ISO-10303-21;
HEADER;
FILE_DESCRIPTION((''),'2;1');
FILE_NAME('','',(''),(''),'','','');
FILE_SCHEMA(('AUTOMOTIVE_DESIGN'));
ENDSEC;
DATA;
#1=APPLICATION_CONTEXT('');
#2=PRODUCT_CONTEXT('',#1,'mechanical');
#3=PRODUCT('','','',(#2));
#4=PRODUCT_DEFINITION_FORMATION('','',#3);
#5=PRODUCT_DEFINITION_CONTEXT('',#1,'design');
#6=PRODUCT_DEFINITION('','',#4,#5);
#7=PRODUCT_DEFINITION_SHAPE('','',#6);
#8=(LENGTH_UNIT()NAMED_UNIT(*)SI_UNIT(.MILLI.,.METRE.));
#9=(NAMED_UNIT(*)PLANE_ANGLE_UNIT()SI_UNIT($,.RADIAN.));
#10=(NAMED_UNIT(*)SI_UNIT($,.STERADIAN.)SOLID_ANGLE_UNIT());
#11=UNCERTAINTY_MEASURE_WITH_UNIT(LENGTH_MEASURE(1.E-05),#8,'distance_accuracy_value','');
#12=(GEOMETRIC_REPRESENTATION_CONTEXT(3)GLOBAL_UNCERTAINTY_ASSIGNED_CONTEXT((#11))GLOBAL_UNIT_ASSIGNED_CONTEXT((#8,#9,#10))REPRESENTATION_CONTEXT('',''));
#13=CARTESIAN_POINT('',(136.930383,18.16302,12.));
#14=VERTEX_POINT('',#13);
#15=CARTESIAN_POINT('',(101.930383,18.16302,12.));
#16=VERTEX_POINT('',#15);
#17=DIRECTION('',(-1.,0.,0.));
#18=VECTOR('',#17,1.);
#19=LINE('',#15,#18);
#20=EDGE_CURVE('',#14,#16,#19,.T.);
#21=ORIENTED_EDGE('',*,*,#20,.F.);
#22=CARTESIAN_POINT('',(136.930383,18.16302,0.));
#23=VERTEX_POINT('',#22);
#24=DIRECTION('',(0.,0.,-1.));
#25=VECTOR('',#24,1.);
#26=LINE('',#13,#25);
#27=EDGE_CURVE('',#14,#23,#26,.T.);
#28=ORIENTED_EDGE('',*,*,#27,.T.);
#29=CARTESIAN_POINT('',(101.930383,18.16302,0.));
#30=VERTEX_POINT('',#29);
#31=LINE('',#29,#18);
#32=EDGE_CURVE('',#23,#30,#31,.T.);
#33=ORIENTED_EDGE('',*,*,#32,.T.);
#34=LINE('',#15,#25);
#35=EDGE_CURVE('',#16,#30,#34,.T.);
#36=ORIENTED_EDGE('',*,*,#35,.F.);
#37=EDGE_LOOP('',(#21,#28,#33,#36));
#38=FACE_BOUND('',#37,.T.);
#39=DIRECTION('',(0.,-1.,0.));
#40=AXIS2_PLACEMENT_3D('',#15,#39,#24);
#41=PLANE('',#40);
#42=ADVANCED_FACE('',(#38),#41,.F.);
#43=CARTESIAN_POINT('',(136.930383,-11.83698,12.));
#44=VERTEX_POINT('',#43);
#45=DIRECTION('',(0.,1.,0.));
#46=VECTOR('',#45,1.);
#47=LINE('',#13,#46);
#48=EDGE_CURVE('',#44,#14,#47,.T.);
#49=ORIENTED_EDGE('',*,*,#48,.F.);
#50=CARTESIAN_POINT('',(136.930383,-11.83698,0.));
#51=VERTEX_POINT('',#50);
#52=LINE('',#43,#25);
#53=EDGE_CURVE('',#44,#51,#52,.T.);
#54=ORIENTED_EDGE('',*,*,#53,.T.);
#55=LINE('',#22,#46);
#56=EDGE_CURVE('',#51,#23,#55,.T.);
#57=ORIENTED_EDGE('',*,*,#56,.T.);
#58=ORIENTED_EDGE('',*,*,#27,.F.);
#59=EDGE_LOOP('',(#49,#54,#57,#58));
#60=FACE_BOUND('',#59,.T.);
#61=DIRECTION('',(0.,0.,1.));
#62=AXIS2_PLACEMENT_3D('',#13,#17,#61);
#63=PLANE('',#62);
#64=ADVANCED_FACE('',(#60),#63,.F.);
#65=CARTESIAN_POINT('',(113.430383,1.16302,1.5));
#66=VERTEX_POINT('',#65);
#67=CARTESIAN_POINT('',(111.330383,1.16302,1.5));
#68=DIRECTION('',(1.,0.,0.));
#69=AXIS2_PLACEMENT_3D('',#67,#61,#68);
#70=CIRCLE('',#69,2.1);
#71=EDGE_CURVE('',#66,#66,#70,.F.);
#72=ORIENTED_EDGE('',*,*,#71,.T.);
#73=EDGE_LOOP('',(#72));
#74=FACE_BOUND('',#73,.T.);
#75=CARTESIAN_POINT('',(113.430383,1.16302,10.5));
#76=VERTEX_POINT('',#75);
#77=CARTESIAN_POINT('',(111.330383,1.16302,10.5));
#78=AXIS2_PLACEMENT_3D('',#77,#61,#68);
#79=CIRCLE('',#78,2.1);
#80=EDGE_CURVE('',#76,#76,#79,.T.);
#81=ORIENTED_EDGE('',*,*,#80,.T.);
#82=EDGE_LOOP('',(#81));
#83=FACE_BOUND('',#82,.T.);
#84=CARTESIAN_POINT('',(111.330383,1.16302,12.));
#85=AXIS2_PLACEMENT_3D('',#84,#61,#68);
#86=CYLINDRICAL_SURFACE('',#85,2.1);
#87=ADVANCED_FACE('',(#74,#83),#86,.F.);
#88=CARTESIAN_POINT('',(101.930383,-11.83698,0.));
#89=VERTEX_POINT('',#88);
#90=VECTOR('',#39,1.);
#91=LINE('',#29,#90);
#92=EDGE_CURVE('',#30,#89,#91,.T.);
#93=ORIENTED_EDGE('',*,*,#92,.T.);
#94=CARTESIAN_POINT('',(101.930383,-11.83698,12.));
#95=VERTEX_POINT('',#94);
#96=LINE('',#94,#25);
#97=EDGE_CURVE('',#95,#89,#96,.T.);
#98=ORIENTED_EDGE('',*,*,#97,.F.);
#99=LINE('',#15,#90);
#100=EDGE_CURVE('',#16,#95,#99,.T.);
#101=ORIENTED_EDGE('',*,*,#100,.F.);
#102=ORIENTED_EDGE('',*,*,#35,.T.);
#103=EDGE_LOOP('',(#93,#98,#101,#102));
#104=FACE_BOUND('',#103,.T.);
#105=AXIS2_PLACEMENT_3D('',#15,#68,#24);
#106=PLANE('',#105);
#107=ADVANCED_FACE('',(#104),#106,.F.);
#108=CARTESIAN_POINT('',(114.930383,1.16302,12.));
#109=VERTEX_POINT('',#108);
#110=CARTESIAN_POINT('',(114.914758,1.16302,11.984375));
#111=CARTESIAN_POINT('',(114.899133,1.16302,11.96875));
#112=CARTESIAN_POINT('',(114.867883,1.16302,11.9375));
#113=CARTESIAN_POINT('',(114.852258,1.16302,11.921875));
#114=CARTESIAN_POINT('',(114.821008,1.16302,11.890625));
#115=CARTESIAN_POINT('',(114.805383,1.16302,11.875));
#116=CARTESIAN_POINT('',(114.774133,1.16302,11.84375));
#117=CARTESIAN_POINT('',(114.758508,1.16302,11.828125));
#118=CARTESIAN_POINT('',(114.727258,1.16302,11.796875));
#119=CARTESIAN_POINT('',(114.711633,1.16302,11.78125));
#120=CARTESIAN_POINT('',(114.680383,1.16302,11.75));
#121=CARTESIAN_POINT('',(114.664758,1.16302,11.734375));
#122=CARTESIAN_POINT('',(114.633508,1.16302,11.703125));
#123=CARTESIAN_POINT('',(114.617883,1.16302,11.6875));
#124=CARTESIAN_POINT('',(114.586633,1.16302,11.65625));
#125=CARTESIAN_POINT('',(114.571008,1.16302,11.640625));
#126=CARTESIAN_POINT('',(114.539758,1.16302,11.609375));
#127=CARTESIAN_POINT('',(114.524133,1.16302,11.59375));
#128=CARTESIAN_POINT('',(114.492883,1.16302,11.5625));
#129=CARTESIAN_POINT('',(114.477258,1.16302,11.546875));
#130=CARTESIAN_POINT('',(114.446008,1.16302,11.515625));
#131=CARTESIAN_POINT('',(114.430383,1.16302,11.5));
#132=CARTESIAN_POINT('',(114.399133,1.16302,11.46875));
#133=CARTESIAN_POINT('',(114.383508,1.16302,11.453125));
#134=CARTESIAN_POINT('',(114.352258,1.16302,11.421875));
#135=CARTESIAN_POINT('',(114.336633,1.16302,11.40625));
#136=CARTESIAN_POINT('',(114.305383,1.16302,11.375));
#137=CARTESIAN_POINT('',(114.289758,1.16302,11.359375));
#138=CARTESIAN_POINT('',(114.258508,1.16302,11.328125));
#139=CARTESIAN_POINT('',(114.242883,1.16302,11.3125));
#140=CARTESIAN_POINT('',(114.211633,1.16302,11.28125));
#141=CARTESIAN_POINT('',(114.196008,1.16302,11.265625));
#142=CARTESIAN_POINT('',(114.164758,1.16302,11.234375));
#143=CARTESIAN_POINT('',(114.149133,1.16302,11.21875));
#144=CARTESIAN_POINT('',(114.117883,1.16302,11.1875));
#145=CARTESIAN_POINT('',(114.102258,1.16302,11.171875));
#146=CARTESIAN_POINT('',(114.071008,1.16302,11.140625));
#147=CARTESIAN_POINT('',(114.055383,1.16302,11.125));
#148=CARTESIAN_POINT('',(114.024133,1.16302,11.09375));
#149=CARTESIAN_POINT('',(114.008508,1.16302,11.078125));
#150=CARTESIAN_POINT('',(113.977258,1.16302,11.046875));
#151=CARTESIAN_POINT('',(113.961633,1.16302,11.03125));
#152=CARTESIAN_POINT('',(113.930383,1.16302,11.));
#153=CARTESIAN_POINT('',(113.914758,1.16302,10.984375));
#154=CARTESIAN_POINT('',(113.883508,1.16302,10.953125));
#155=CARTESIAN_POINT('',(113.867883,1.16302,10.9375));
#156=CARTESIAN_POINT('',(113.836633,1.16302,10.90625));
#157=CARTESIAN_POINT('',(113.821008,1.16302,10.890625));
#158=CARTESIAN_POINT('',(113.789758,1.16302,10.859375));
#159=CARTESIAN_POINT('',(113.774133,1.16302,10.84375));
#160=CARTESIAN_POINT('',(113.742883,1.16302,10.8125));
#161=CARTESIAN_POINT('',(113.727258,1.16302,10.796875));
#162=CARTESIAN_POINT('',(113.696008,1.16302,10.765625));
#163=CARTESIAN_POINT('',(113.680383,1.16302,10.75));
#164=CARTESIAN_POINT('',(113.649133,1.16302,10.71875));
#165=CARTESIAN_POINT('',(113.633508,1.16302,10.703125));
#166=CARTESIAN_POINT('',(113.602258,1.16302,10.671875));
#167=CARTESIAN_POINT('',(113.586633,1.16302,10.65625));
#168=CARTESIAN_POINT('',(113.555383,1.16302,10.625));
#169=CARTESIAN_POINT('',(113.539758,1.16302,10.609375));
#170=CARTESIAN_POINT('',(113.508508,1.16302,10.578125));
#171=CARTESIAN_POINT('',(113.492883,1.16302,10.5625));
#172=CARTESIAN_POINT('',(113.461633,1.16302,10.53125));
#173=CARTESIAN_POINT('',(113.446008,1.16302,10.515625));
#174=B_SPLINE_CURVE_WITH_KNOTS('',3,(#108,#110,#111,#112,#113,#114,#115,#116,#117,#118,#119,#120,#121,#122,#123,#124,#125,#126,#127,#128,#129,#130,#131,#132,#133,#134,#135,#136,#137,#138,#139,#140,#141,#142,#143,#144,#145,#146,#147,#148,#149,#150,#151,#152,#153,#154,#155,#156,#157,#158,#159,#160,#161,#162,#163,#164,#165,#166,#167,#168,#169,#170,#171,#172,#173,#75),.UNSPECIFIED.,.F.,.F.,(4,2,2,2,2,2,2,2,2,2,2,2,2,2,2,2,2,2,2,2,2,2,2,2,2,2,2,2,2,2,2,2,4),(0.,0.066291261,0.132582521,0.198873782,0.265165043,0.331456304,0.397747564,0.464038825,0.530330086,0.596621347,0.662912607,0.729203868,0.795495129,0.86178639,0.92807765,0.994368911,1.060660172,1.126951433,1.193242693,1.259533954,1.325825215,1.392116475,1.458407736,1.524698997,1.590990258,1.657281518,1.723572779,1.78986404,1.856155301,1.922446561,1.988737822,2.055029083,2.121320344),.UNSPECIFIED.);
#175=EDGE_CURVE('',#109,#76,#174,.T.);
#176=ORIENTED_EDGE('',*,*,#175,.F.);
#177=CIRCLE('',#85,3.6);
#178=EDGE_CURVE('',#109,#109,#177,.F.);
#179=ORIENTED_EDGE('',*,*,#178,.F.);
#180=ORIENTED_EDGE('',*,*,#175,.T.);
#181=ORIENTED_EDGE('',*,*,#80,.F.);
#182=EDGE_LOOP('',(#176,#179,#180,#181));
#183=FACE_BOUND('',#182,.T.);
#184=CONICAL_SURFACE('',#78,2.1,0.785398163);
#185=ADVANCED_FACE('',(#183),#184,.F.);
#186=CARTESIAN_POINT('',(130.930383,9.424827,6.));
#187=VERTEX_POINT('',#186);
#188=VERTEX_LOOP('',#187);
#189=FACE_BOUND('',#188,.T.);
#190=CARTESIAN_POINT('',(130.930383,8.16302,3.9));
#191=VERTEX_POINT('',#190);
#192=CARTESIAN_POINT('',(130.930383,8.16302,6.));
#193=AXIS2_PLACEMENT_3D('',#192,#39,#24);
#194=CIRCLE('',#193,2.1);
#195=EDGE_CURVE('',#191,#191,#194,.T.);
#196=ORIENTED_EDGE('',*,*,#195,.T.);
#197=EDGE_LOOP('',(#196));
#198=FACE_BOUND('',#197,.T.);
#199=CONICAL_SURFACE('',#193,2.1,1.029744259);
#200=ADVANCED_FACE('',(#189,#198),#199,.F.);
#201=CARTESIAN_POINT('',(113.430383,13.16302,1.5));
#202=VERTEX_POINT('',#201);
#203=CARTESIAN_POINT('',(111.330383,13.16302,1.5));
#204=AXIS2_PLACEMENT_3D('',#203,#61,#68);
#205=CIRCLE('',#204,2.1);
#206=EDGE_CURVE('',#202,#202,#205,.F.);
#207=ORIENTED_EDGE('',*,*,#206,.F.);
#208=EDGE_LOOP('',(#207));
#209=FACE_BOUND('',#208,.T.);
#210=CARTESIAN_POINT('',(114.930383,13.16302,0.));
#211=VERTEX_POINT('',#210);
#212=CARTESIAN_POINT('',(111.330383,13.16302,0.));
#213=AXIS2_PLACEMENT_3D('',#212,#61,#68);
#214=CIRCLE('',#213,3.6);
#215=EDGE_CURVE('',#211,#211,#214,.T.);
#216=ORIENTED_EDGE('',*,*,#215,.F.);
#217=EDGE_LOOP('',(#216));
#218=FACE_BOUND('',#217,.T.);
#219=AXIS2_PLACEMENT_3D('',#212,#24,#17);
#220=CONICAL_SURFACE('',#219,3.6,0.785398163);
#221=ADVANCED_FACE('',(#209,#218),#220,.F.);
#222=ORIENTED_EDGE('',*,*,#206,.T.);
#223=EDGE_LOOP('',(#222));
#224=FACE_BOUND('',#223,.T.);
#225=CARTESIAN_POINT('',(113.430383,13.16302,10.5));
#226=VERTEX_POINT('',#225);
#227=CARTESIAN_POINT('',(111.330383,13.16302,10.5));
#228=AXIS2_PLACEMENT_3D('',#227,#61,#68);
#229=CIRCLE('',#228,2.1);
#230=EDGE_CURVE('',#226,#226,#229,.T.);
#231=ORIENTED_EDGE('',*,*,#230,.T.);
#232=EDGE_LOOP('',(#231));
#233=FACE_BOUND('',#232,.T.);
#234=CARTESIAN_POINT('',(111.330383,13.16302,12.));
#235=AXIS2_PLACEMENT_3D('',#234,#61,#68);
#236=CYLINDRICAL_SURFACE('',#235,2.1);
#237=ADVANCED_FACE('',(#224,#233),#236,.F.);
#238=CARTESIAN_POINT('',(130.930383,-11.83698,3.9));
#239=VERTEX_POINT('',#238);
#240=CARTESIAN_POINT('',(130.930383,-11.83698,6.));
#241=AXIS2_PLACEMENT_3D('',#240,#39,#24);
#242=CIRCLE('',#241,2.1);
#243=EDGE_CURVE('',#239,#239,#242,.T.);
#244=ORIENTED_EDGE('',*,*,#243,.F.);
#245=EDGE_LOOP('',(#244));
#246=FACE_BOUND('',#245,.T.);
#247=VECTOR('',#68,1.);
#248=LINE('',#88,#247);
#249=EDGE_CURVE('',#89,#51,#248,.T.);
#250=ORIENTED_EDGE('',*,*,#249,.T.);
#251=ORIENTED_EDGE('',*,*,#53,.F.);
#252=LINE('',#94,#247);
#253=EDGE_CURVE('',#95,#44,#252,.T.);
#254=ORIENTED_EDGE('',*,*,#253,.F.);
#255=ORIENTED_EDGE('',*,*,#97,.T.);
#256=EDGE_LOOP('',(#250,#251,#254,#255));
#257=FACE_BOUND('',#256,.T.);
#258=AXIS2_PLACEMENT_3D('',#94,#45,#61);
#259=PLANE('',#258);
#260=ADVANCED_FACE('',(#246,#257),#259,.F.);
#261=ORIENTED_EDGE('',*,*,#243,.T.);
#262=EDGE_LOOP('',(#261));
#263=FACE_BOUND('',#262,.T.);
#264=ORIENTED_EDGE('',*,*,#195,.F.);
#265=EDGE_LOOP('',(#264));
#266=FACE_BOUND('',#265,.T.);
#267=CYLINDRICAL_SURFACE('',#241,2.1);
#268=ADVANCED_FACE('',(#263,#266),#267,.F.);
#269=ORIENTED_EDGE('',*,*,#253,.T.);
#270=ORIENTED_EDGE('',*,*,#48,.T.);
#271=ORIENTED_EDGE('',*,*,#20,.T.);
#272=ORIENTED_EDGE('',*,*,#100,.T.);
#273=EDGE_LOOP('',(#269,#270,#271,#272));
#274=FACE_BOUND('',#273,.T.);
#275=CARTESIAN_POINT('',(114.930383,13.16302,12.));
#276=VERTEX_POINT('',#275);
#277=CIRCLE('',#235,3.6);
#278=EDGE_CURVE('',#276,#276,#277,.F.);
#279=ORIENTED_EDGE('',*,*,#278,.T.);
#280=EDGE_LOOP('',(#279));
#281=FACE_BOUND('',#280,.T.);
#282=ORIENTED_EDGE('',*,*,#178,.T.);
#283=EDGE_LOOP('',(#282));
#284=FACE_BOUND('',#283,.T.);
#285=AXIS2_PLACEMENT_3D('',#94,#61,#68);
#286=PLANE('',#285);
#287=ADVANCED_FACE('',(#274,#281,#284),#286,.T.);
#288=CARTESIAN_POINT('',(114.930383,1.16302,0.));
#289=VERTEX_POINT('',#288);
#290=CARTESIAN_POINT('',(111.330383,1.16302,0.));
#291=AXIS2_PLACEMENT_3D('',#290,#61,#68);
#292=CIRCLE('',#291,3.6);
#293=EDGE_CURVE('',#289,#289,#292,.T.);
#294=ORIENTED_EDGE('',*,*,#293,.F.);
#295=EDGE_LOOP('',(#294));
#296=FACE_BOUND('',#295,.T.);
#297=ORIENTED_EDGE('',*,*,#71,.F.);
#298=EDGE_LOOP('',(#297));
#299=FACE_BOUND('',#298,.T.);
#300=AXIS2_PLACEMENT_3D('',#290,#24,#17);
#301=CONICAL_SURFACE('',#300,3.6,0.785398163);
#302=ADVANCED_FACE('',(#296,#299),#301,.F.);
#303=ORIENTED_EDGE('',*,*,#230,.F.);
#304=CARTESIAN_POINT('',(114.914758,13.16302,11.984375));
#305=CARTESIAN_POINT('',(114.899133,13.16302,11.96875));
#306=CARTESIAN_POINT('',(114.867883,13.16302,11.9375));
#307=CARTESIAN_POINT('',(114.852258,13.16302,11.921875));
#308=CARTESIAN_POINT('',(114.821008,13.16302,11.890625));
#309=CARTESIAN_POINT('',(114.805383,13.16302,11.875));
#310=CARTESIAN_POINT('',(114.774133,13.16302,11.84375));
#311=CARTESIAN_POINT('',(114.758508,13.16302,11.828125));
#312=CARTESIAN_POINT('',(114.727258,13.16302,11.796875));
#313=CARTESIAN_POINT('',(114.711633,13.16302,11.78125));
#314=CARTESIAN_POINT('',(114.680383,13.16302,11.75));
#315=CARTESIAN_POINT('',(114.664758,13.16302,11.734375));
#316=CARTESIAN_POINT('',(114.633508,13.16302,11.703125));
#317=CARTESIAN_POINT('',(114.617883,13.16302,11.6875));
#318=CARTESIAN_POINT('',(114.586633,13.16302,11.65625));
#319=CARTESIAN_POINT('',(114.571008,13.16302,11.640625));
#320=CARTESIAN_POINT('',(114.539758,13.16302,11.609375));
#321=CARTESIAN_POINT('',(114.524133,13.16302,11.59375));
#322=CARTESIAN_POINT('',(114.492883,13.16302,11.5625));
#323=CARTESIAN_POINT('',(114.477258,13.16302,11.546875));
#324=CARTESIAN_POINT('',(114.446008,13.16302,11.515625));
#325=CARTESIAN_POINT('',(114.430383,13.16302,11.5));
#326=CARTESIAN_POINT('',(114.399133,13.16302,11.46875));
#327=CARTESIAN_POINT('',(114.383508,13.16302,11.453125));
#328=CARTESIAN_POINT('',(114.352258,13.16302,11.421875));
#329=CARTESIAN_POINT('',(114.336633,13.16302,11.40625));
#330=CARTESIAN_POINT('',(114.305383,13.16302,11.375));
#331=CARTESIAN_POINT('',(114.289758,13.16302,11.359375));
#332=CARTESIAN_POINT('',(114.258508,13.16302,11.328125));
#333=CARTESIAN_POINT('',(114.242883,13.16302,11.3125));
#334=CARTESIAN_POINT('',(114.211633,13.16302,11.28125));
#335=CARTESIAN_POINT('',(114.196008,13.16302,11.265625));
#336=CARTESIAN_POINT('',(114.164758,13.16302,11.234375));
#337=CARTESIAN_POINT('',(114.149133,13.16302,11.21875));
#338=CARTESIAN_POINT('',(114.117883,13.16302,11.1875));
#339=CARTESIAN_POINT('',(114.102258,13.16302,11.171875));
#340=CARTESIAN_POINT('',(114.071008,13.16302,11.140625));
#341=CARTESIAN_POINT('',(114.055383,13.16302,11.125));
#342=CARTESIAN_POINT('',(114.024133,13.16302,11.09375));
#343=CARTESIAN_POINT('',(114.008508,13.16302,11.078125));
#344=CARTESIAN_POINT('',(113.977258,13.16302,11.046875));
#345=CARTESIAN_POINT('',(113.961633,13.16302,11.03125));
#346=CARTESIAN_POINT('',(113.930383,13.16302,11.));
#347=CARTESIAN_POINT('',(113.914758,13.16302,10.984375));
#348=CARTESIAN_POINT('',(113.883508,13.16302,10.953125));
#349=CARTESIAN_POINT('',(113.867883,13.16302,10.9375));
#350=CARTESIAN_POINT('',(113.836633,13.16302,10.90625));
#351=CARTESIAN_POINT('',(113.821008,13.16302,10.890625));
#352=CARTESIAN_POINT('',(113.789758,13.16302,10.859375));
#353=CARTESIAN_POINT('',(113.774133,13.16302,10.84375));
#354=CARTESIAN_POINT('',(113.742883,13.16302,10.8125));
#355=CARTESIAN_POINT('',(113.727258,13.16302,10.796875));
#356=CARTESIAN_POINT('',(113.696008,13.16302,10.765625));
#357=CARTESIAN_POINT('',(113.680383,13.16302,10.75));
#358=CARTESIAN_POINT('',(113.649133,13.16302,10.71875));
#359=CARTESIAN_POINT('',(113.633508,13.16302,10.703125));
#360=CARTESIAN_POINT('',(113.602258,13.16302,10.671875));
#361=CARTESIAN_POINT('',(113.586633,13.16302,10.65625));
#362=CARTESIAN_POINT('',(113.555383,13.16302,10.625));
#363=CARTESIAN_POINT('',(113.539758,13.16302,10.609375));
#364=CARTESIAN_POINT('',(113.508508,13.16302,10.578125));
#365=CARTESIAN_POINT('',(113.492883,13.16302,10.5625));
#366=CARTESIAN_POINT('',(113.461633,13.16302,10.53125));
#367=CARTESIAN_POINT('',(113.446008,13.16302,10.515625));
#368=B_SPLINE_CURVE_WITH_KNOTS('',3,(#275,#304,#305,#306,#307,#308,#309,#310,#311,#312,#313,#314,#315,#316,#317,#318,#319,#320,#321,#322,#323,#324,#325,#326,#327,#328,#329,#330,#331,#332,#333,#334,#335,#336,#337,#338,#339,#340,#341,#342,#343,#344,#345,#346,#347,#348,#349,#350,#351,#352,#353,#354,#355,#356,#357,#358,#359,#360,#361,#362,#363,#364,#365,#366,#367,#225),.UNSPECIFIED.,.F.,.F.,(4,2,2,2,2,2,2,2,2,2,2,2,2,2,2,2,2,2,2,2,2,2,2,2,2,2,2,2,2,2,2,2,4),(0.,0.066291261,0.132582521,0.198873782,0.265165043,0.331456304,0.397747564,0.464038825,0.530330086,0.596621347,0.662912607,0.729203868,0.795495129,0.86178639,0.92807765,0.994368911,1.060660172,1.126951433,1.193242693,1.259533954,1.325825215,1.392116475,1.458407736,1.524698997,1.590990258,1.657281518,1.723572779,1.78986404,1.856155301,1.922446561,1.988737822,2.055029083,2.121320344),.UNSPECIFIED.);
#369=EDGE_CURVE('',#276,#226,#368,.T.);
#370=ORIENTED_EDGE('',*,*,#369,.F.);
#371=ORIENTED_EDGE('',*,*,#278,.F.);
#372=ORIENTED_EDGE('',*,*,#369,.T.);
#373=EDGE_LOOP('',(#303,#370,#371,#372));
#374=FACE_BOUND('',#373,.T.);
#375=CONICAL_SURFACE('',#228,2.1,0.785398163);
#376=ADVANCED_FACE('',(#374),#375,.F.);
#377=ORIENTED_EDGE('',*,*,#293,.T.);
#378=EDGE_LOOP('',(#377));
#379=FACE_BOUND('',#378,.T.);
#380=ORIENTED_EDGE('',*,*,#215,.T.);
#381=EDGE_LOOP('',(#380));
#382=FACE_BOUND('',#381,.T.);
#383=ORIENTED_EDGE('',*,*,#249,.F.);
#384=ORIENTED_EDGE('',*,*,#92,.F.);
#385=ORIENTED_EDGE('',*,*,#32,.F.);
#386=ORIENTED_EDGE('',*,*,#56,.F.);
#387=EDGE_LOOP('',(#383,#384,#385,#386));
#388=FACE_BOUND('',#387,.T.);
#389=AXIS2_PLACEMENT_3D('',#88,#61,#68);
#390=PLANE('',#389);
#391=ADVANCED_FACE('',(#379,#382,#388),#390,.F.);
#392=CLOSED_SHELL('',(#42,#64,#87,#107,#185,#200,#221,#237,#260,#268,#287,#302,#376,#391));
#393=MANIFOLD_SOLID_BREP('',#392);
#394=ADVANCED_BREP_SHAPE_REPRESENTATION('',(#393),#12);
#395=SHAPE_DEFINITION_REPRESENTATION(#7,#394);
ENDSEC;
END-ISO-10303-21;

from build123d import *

# Parameters (mm, degrees)
ESBO_O2_W                                    = 35
ESBO_O2_H                                    = 30
RESSALTO_EXTRUS_O1_DEPTH                     = 12
BROCA_DE_ROSQUEAR_PARA_TARRAXA_DE_M5X0_8_D   = 4.2
BROCA_DE_ROSQUEAR_PARA_TARRAXA_DE_M5_2_D     = 4.2
BROCA_DE_ROSQUEAR_PARA_TARRAXA_DE_M5_2_DEPTH = 20
BROCA_DE_ROSQUEAR_PARA_TARRAXA_DE_M5_2_TIP   = 1.2618073
CHANFRO1_SIZE                                = 1.5
CHANFRO2_SIZE                                = 1.5
CHANFRO3_SIZE                                = 1.5


with BuildPart() as part:
    # Esboço2 → Ressalto-extrusão1 (new body)
    with BuildSketch(Plane.XY):
        with Locations((119.430382681, 3.163019551)):
            Rectangle(ESBO_O2_W, ESBO_O2_H)
    extrude(amount=RESSALTO_EXTRUS_O1_DEPTH)

    # Broca de rosquear para tarraxa de M5x0.8 (through all)
    with Locations(Plane.XY.offset(12)):
        with Locations((111.330382681, 13.163019551), (111.330382681, 1.163019551)):
            Hole(BROCA_DE_ROSQUEAR_PARA_TARRAXA_DE_M5X0_8_D / 2)

    # Broca de rosquear para tarraxa de M5 2
    with Locations(Plane.XZ.offset(11.836980449)):
        with Locations((130.930382681, 6)):
            Hole(BROCA_DE_ROSQUEAR_PARA_TARRAXA_DE_M5_2_D / 2, depth=BROCA_DE_ROSQUEAR_PARA_TARRAXA_DE_M5_2_DEPTH)
            with Locations((0, 0, -(BROCA_DE_ROSQUEAR_PARA_TARRAXA_DE_M5_2_DEPTH + BROCA_DE_ROSQUEAR_PARA_TARRAXA_DE_M5_2_TIP / 2))):  # 118° drill point
                Cone(0, BROCA_DE_ROSQUEAR_PARA_TARRAXA_DE_M5_2_D / 2, BROCA_DE_ROSQUEAR_PARA_TARRAXA_DE_M5_2_TIP, mode=Mode.SUBTRACT)

    # Chanfro1
    chanfro1_edges = [part.edges().sort_by_distance(p)[0] for p in [
        (113.430382681, 1.163019551, 12),
        (113.430382681, 13.163019551, 12),
    ]]
    chamfer(chanfro1_edges, length=CHANFRO1_SIZE)

    # Chanfro2
    chanfro2_edges = [part.edges().sort_by_distance(p)[0] for p in [
        (113.430382681, 1.163019551, 0),
    ]]
    chamfer(chanfro2_edges, length=CHANFRO2_SIZE)

    # Chanfro3
    chanfro3_edges = [part.edges().sort_by_distance(p)[0] for p in [
        (113.430382681, 13.163019551, 0),
    ]]
    chamfer(chanfro3_edges, length=CHANFRO3_SIZE)


solid = part.part
